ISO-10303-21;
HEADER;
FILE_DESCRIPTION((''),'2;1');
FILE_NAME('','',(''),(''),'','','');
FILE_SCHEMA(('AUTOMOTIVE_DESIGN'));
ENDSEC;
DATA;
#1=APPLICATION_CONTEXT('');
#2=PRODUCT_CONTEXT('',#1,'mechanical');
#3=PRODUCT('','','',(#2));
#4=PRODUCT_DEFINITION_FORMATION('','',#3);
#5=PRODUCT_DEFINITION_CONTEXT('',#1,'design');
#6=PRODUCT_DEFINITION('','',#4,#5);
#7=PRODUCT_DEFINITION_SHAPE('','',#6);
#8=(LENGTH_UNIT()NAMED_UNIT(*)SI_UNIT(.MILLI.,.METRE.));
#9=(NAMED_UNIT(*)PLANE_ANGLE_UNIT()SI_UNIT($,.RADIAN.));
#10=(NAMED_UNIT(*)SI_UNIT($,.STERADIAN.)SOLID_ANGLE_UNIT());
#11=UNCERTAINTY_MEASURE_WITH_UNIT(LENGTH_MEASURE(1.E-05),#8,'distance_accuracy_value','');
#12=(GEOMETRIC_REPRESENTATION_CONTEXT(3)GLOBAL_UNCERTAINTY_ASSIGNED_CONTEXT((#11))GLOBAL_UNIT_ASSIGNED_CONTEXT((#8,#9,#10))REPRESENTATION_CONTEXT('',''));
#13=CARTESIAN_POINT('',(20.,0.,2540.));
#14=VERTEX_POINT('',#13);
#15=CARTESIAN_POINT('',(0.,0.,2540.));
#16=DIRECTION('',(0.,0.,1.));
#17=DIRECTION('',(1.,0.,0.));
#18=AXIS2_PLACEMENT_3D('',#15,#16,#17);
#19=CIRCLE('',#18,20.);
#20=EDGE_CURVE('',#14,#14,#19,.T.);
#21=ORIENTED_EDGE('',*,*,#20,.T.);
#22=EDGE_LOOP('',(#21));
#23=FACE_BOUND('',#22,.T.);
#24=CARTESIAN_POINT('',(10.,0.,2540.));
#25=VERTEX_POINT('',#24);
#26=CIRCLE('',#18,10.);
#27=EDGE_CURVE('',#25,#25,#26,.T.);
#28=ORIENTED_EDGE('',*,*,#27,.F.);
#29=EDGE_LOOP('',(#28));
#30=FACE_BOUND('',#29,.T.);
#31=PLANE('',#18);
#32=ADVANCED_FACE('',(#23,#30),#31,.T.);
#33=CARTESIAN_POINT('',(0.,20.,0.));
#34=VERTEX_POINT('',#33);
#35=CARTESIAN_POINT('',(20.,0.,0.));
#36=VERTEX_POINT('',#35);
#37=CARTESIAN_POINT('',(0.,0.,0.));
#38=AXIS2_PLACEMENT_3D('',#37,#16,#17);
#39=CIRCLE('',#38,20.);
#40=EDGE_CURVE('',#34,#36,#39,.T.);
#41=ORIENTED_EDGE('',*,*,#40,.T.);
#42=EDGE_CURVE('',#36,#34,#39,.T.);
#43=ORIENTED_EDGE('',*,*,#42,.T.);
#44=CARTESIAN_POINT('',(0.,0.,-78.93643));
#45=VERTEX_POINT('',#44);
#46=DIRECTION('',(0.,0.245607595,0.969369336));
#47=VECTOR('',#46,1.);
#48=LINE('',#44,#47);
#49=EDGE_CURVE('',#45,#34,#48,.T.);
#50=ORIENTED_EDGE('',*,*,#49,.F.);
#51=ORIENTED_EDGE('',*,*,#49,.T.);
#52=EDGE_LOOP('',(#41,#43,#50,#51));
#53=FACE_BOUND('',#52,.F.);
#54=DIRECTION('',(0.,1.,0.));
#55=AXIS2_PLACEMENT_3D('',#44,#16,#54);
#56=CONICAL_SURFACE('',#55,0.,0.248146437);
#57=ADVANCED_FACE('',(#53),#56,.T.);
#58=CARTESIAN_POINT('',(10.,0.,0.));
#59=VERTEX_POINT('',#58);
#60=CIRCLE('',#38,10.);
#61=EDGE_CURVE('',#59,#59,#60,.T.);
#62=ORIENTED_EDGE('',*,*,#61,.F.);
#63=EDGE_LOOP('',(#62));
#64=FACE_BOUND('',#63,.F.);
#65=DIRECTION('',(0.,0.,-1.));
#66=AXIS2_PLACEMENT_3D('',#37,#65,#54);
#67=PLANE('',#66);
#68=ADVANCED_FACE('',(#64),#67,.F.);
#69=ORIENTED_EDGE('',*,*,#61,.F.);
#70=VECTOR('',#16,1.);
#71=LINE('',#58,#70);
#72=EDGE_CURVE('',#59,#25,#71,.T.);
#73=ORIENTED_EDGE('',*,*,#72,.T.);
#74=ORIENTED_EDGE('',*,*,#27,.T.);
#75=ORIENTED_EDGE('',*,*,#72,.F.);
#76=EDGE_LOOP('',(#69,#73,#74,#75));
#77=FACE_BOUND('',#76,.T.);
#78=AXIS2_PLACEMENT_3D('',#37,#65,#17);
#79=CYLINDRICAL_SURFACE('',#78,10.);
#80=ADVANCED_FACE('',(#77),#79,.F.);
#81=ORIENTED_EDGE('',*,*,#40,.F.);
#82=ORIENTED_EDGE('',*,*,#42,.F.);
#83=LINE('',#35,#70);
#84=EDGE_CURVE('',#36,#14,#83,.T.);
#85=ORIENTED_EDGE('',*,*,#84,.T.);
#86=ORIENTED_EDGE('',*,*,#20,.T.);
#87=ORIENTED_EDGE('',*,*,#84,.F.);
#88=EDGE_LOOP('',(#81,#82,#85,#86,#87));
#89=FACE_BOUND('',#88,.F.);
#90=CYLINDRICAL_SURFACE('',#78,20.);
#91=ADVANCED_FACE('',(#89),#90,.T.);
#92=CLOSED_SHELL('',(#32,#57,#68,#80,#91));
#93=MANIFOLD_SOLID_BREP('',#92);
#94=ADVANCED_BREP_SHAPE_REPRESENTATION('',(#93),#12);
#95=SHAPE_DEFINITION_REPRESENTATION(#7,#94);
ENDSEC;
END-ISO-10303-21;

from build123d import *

# Parameters (mm, degrees)
F0_R     = 20
F0_R_2   = 10
F1_DEPTH = 2540


with BuildPart() as f1:
    # F0 (on Top) → F1 (new body)
    with BuildSketch(Plane.XY):
        Circle(F0_R)
        Circle(F0_R_2, mode=Mode.SUBTRACT)
    extrude(amount=F1_DEPTH)

    # F3 (on Right) → F4 (revolve)
    with BuildSketch(Plane.YZ):
        Polygon((20, 0), (0, 0), (0, -78.93643), align=None)
    revolve(axis=Axis((0, 0, -39.468215), (0, 0, -1)))


solid = f1.part
